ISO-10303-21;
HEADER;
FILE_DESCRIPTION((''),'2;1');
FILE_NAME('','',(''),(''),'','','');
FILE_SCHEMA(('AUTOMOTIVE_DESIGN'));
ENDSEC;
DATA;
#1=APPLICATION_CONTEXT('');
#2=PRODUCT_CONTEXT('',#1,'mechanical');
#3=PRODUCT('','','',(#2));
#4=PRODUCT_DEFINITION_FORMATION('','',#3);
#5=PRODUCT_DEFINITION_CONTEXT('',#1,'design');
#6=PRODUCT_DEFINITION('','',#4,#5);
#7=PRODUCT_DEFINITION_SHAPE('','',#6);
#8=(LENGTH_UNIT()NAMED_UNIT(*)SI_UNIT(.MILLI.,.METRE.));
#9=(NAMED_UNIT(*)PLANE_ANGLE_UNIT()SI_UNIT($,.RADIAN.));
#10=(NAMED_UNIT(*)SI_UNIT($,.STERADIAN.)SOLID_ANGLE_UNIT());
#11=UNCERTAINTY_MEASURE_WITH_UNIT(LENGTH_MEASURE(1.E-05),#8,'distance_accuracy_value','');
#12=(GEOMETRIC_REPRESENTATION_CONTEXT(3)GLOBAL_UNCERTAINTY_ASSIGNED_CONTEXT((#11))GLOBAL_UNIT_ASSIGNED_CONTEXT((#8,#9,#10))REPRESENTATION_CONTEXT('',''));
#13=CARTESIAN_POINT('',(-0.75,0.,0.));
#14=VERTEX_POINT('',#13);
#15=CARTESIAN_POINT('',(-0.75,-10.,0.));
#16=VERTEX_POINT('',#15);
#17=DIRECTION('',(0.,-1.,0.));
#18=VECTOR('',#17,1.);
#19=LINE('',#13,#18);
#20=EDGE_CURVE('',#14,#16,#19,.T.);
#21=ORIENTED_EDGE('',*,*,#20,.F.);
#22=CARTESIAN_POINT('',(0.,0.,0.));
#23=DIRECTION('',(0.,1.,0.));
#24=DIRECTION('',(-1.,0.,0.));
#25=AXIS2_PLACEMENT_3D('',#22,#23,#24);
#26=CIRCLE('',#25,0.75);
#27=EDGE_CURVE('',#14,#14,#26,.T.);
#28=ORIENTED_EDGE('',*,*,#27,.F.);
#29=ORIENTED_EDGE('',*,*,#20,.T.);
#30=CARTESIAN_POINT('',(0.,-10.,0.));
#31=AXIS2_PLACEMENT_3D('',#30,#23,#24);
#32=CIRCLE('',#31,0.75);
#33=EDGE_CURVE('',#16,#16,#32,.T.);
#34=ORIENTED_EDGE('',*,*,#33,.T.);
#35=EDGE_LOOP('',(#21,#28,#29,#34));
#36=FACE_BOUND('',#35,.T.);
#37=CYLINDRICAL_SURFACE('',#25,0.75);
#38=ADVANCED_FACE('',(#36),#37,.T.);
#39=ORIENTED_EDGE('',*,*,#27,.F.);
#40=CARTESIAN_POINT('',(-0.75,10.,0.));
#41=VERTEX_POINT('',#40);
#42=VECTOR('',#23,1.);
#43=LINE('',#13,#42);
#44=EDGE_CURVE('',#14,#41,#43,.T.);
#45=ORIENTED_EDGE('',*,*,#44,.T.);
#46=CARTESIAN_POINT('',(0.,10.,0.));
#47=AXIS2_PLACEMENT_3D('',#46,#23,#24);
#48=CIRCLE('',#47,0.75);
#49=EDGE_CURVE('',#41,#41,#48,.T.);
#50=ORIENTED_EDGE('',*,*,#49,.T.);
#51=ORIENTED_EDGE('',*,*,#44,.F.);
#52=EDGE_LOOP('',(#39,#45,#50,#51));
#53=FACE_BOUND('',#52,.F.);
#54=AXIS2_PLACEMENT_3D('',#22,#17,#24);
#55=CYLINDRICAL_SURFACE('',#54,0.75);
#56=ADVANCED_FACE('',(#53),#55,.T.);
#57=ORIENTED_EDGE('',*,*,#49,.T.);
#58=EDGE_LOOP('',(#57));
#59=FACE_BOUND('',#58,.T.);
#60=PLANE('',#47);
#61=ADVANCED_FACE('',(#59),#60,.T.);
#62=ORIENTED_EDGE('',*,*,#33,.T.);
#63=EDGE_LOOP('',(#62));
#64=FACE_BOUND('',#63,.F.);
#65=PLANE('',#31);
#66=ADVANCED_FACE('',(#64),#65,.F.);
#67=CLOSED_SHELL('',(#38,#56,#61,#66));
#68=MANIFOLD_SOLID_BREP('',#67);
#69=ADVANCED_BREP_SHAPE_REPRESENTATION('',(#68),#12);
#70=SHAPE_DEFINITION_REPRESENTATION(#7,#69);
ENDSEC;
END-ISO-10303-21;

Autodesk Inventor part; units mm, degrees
ref_plane "YZ Plane" through (0, 0, 0) normal (1, 0, 0) x (0, 1, 0)
ref_plane "XZ Plane" through (0, 0, 0) normal (0, 1, 0) x (-1, 0, 0)
ref_plane "XY Plane" through (0, 0, 0) normal (0, 0, 1) x (1, 0, 0)
sketch "Sketch1" plane through (0, 0, 0) normal (0, 1, 0) x (-1, 0, 0)
  circle A0 centre (0, 0) radius 0.75
  dimension "d0" = 1.5
extrude "Extrusion1" add sketch "Sketch1" along normal mid plane 20
properties part number "carbon_tube_gimbal"
